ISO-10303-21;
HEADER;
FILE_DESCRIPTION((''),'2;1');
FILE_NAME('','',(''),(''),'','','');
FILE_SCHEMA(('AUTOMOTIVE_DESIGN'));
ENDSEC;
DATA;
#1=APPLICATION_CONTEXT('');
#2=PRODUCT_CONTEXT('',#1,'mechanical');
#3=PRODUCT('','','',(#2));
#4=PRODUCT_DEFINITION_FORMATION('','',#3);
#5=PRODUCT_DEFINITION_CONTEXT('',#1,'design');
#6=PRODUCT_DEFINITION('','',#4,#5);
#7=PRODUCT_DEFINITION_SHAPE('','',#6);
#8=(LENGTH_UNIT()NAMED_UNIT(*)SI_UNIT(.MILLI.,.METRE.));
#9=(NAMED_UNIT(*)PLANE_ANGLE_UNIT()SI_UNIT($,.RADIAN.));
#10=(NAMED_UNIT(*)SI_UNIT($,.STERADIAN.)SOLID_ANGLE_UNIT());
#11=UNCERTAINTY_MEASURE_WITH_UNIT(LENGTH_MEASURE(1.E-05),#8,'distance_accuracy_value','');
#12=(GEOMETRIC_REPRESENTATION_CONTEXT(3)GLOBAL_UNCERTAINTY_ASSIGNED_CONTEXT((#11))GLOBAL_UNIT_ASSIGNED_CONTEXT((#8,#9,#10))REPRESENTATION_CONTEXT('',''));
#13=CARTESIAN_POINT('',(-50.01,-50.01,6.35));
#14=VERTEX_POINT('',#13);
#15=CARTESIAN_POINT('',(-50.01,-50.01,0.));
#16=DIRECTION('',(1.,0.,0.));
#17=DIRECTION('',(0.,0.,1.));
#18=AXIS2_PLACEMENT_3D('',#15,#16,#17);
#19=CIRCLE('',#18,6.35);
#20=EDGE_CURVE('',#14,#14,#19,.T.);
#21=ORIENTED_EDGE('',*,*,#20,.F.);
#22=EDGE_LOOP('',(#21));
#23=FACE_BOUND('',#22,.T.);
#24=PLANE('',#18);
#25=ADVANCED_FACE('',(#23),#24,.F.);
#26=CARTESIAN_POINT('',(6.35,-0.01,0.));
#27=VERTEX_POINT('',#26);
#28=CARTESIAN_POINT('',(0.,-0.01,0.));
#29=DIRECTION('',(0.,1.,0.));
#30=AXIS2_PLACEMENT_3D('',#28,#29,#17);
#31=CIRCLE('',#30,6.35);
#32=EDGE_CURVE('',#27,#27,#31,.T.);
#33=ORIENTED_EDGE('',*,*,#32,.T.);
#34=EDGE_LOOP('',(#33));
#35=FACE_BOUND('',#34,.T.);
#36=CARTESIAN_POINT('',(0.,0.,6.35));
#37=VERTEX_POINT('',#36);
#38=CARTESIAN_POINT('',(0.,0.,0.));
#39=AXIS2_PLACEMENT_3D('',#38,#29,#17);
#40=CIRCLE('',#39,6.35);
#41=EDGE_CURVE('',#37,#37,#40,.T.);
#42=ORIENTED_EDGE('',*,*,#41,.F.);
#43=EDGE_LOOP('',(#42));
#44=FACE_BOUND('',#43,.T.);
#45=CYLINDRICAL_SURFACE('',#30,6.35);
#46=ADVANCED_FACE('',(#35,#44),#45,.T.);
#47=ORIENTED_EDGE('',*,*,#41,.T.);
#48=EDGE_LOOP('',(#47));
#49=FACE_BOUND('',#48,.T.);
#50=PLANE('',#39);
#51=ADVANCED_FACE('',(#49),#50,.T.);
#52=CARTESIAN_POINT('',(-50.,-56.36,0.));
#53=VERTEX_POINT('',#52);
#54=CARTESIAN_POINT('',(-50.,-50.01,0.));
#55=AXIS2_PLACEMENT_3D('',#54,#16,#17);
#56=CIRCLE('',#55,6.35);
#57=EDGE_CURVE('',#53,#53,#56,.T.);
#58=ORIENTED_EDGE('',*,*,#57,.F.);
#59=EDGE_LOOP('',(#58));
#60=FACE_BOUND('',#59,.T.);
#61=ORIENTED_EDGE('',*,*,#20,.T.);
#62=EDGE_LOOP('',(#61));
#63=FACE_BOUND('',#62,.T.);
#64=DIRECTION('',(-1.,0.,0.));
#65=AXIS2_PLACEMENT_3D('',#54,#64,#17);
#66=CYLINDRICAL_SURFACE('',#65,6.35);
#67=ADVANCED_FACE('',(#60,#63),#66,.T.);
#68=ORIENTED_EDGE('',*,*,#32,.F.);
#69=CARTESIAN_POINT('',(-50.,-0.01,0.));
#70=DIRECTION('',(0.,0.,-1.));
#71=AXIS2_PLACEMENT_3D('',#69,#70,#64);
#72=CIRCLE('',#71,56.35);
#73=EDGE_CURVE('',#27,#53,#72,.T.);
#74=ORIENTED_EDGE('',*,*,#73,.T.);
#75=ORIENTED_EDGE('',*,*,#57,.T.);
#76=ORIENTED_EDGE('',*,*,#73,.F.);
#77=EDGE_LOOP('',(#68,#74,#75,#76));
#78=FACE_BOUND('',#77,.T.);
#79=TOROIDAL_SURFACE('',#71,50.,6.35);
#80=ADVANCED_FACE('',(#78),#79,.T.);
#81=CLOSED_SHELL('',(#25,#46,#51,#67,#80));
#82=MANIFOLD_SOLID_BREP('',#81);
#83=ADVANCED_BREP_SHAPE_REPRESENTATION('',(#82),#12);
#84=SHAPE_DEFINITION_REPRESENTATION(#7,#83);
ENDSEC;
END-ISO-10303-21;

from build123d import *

# Parameters (mm, degrees)
CROQUIS3_R = 6.35


with BuildPart() as part:
    # Barrer1: sweep along a path in Croquis4
    with BuildLine(Plane.XY) as barrer1_path:
        Line((0, 0), (0, -0.01))
        ThreePointArc((0, -0.01), (-14.644660941, -35.365339059), (-50, -50.01))
        Line((-50, -50.01), (-50.01, -50.01))
    # Croquis3 → Barrer1 (sweep)
    with BuildSketch(Plane(origin=(0, 0, 0), x_dir=(1, 0, 0), z_dir=(0, 1, 0))):
        Circle(CROQUIS3_R)
    sweep(path=barrer1_path.line)


solid = part.part
